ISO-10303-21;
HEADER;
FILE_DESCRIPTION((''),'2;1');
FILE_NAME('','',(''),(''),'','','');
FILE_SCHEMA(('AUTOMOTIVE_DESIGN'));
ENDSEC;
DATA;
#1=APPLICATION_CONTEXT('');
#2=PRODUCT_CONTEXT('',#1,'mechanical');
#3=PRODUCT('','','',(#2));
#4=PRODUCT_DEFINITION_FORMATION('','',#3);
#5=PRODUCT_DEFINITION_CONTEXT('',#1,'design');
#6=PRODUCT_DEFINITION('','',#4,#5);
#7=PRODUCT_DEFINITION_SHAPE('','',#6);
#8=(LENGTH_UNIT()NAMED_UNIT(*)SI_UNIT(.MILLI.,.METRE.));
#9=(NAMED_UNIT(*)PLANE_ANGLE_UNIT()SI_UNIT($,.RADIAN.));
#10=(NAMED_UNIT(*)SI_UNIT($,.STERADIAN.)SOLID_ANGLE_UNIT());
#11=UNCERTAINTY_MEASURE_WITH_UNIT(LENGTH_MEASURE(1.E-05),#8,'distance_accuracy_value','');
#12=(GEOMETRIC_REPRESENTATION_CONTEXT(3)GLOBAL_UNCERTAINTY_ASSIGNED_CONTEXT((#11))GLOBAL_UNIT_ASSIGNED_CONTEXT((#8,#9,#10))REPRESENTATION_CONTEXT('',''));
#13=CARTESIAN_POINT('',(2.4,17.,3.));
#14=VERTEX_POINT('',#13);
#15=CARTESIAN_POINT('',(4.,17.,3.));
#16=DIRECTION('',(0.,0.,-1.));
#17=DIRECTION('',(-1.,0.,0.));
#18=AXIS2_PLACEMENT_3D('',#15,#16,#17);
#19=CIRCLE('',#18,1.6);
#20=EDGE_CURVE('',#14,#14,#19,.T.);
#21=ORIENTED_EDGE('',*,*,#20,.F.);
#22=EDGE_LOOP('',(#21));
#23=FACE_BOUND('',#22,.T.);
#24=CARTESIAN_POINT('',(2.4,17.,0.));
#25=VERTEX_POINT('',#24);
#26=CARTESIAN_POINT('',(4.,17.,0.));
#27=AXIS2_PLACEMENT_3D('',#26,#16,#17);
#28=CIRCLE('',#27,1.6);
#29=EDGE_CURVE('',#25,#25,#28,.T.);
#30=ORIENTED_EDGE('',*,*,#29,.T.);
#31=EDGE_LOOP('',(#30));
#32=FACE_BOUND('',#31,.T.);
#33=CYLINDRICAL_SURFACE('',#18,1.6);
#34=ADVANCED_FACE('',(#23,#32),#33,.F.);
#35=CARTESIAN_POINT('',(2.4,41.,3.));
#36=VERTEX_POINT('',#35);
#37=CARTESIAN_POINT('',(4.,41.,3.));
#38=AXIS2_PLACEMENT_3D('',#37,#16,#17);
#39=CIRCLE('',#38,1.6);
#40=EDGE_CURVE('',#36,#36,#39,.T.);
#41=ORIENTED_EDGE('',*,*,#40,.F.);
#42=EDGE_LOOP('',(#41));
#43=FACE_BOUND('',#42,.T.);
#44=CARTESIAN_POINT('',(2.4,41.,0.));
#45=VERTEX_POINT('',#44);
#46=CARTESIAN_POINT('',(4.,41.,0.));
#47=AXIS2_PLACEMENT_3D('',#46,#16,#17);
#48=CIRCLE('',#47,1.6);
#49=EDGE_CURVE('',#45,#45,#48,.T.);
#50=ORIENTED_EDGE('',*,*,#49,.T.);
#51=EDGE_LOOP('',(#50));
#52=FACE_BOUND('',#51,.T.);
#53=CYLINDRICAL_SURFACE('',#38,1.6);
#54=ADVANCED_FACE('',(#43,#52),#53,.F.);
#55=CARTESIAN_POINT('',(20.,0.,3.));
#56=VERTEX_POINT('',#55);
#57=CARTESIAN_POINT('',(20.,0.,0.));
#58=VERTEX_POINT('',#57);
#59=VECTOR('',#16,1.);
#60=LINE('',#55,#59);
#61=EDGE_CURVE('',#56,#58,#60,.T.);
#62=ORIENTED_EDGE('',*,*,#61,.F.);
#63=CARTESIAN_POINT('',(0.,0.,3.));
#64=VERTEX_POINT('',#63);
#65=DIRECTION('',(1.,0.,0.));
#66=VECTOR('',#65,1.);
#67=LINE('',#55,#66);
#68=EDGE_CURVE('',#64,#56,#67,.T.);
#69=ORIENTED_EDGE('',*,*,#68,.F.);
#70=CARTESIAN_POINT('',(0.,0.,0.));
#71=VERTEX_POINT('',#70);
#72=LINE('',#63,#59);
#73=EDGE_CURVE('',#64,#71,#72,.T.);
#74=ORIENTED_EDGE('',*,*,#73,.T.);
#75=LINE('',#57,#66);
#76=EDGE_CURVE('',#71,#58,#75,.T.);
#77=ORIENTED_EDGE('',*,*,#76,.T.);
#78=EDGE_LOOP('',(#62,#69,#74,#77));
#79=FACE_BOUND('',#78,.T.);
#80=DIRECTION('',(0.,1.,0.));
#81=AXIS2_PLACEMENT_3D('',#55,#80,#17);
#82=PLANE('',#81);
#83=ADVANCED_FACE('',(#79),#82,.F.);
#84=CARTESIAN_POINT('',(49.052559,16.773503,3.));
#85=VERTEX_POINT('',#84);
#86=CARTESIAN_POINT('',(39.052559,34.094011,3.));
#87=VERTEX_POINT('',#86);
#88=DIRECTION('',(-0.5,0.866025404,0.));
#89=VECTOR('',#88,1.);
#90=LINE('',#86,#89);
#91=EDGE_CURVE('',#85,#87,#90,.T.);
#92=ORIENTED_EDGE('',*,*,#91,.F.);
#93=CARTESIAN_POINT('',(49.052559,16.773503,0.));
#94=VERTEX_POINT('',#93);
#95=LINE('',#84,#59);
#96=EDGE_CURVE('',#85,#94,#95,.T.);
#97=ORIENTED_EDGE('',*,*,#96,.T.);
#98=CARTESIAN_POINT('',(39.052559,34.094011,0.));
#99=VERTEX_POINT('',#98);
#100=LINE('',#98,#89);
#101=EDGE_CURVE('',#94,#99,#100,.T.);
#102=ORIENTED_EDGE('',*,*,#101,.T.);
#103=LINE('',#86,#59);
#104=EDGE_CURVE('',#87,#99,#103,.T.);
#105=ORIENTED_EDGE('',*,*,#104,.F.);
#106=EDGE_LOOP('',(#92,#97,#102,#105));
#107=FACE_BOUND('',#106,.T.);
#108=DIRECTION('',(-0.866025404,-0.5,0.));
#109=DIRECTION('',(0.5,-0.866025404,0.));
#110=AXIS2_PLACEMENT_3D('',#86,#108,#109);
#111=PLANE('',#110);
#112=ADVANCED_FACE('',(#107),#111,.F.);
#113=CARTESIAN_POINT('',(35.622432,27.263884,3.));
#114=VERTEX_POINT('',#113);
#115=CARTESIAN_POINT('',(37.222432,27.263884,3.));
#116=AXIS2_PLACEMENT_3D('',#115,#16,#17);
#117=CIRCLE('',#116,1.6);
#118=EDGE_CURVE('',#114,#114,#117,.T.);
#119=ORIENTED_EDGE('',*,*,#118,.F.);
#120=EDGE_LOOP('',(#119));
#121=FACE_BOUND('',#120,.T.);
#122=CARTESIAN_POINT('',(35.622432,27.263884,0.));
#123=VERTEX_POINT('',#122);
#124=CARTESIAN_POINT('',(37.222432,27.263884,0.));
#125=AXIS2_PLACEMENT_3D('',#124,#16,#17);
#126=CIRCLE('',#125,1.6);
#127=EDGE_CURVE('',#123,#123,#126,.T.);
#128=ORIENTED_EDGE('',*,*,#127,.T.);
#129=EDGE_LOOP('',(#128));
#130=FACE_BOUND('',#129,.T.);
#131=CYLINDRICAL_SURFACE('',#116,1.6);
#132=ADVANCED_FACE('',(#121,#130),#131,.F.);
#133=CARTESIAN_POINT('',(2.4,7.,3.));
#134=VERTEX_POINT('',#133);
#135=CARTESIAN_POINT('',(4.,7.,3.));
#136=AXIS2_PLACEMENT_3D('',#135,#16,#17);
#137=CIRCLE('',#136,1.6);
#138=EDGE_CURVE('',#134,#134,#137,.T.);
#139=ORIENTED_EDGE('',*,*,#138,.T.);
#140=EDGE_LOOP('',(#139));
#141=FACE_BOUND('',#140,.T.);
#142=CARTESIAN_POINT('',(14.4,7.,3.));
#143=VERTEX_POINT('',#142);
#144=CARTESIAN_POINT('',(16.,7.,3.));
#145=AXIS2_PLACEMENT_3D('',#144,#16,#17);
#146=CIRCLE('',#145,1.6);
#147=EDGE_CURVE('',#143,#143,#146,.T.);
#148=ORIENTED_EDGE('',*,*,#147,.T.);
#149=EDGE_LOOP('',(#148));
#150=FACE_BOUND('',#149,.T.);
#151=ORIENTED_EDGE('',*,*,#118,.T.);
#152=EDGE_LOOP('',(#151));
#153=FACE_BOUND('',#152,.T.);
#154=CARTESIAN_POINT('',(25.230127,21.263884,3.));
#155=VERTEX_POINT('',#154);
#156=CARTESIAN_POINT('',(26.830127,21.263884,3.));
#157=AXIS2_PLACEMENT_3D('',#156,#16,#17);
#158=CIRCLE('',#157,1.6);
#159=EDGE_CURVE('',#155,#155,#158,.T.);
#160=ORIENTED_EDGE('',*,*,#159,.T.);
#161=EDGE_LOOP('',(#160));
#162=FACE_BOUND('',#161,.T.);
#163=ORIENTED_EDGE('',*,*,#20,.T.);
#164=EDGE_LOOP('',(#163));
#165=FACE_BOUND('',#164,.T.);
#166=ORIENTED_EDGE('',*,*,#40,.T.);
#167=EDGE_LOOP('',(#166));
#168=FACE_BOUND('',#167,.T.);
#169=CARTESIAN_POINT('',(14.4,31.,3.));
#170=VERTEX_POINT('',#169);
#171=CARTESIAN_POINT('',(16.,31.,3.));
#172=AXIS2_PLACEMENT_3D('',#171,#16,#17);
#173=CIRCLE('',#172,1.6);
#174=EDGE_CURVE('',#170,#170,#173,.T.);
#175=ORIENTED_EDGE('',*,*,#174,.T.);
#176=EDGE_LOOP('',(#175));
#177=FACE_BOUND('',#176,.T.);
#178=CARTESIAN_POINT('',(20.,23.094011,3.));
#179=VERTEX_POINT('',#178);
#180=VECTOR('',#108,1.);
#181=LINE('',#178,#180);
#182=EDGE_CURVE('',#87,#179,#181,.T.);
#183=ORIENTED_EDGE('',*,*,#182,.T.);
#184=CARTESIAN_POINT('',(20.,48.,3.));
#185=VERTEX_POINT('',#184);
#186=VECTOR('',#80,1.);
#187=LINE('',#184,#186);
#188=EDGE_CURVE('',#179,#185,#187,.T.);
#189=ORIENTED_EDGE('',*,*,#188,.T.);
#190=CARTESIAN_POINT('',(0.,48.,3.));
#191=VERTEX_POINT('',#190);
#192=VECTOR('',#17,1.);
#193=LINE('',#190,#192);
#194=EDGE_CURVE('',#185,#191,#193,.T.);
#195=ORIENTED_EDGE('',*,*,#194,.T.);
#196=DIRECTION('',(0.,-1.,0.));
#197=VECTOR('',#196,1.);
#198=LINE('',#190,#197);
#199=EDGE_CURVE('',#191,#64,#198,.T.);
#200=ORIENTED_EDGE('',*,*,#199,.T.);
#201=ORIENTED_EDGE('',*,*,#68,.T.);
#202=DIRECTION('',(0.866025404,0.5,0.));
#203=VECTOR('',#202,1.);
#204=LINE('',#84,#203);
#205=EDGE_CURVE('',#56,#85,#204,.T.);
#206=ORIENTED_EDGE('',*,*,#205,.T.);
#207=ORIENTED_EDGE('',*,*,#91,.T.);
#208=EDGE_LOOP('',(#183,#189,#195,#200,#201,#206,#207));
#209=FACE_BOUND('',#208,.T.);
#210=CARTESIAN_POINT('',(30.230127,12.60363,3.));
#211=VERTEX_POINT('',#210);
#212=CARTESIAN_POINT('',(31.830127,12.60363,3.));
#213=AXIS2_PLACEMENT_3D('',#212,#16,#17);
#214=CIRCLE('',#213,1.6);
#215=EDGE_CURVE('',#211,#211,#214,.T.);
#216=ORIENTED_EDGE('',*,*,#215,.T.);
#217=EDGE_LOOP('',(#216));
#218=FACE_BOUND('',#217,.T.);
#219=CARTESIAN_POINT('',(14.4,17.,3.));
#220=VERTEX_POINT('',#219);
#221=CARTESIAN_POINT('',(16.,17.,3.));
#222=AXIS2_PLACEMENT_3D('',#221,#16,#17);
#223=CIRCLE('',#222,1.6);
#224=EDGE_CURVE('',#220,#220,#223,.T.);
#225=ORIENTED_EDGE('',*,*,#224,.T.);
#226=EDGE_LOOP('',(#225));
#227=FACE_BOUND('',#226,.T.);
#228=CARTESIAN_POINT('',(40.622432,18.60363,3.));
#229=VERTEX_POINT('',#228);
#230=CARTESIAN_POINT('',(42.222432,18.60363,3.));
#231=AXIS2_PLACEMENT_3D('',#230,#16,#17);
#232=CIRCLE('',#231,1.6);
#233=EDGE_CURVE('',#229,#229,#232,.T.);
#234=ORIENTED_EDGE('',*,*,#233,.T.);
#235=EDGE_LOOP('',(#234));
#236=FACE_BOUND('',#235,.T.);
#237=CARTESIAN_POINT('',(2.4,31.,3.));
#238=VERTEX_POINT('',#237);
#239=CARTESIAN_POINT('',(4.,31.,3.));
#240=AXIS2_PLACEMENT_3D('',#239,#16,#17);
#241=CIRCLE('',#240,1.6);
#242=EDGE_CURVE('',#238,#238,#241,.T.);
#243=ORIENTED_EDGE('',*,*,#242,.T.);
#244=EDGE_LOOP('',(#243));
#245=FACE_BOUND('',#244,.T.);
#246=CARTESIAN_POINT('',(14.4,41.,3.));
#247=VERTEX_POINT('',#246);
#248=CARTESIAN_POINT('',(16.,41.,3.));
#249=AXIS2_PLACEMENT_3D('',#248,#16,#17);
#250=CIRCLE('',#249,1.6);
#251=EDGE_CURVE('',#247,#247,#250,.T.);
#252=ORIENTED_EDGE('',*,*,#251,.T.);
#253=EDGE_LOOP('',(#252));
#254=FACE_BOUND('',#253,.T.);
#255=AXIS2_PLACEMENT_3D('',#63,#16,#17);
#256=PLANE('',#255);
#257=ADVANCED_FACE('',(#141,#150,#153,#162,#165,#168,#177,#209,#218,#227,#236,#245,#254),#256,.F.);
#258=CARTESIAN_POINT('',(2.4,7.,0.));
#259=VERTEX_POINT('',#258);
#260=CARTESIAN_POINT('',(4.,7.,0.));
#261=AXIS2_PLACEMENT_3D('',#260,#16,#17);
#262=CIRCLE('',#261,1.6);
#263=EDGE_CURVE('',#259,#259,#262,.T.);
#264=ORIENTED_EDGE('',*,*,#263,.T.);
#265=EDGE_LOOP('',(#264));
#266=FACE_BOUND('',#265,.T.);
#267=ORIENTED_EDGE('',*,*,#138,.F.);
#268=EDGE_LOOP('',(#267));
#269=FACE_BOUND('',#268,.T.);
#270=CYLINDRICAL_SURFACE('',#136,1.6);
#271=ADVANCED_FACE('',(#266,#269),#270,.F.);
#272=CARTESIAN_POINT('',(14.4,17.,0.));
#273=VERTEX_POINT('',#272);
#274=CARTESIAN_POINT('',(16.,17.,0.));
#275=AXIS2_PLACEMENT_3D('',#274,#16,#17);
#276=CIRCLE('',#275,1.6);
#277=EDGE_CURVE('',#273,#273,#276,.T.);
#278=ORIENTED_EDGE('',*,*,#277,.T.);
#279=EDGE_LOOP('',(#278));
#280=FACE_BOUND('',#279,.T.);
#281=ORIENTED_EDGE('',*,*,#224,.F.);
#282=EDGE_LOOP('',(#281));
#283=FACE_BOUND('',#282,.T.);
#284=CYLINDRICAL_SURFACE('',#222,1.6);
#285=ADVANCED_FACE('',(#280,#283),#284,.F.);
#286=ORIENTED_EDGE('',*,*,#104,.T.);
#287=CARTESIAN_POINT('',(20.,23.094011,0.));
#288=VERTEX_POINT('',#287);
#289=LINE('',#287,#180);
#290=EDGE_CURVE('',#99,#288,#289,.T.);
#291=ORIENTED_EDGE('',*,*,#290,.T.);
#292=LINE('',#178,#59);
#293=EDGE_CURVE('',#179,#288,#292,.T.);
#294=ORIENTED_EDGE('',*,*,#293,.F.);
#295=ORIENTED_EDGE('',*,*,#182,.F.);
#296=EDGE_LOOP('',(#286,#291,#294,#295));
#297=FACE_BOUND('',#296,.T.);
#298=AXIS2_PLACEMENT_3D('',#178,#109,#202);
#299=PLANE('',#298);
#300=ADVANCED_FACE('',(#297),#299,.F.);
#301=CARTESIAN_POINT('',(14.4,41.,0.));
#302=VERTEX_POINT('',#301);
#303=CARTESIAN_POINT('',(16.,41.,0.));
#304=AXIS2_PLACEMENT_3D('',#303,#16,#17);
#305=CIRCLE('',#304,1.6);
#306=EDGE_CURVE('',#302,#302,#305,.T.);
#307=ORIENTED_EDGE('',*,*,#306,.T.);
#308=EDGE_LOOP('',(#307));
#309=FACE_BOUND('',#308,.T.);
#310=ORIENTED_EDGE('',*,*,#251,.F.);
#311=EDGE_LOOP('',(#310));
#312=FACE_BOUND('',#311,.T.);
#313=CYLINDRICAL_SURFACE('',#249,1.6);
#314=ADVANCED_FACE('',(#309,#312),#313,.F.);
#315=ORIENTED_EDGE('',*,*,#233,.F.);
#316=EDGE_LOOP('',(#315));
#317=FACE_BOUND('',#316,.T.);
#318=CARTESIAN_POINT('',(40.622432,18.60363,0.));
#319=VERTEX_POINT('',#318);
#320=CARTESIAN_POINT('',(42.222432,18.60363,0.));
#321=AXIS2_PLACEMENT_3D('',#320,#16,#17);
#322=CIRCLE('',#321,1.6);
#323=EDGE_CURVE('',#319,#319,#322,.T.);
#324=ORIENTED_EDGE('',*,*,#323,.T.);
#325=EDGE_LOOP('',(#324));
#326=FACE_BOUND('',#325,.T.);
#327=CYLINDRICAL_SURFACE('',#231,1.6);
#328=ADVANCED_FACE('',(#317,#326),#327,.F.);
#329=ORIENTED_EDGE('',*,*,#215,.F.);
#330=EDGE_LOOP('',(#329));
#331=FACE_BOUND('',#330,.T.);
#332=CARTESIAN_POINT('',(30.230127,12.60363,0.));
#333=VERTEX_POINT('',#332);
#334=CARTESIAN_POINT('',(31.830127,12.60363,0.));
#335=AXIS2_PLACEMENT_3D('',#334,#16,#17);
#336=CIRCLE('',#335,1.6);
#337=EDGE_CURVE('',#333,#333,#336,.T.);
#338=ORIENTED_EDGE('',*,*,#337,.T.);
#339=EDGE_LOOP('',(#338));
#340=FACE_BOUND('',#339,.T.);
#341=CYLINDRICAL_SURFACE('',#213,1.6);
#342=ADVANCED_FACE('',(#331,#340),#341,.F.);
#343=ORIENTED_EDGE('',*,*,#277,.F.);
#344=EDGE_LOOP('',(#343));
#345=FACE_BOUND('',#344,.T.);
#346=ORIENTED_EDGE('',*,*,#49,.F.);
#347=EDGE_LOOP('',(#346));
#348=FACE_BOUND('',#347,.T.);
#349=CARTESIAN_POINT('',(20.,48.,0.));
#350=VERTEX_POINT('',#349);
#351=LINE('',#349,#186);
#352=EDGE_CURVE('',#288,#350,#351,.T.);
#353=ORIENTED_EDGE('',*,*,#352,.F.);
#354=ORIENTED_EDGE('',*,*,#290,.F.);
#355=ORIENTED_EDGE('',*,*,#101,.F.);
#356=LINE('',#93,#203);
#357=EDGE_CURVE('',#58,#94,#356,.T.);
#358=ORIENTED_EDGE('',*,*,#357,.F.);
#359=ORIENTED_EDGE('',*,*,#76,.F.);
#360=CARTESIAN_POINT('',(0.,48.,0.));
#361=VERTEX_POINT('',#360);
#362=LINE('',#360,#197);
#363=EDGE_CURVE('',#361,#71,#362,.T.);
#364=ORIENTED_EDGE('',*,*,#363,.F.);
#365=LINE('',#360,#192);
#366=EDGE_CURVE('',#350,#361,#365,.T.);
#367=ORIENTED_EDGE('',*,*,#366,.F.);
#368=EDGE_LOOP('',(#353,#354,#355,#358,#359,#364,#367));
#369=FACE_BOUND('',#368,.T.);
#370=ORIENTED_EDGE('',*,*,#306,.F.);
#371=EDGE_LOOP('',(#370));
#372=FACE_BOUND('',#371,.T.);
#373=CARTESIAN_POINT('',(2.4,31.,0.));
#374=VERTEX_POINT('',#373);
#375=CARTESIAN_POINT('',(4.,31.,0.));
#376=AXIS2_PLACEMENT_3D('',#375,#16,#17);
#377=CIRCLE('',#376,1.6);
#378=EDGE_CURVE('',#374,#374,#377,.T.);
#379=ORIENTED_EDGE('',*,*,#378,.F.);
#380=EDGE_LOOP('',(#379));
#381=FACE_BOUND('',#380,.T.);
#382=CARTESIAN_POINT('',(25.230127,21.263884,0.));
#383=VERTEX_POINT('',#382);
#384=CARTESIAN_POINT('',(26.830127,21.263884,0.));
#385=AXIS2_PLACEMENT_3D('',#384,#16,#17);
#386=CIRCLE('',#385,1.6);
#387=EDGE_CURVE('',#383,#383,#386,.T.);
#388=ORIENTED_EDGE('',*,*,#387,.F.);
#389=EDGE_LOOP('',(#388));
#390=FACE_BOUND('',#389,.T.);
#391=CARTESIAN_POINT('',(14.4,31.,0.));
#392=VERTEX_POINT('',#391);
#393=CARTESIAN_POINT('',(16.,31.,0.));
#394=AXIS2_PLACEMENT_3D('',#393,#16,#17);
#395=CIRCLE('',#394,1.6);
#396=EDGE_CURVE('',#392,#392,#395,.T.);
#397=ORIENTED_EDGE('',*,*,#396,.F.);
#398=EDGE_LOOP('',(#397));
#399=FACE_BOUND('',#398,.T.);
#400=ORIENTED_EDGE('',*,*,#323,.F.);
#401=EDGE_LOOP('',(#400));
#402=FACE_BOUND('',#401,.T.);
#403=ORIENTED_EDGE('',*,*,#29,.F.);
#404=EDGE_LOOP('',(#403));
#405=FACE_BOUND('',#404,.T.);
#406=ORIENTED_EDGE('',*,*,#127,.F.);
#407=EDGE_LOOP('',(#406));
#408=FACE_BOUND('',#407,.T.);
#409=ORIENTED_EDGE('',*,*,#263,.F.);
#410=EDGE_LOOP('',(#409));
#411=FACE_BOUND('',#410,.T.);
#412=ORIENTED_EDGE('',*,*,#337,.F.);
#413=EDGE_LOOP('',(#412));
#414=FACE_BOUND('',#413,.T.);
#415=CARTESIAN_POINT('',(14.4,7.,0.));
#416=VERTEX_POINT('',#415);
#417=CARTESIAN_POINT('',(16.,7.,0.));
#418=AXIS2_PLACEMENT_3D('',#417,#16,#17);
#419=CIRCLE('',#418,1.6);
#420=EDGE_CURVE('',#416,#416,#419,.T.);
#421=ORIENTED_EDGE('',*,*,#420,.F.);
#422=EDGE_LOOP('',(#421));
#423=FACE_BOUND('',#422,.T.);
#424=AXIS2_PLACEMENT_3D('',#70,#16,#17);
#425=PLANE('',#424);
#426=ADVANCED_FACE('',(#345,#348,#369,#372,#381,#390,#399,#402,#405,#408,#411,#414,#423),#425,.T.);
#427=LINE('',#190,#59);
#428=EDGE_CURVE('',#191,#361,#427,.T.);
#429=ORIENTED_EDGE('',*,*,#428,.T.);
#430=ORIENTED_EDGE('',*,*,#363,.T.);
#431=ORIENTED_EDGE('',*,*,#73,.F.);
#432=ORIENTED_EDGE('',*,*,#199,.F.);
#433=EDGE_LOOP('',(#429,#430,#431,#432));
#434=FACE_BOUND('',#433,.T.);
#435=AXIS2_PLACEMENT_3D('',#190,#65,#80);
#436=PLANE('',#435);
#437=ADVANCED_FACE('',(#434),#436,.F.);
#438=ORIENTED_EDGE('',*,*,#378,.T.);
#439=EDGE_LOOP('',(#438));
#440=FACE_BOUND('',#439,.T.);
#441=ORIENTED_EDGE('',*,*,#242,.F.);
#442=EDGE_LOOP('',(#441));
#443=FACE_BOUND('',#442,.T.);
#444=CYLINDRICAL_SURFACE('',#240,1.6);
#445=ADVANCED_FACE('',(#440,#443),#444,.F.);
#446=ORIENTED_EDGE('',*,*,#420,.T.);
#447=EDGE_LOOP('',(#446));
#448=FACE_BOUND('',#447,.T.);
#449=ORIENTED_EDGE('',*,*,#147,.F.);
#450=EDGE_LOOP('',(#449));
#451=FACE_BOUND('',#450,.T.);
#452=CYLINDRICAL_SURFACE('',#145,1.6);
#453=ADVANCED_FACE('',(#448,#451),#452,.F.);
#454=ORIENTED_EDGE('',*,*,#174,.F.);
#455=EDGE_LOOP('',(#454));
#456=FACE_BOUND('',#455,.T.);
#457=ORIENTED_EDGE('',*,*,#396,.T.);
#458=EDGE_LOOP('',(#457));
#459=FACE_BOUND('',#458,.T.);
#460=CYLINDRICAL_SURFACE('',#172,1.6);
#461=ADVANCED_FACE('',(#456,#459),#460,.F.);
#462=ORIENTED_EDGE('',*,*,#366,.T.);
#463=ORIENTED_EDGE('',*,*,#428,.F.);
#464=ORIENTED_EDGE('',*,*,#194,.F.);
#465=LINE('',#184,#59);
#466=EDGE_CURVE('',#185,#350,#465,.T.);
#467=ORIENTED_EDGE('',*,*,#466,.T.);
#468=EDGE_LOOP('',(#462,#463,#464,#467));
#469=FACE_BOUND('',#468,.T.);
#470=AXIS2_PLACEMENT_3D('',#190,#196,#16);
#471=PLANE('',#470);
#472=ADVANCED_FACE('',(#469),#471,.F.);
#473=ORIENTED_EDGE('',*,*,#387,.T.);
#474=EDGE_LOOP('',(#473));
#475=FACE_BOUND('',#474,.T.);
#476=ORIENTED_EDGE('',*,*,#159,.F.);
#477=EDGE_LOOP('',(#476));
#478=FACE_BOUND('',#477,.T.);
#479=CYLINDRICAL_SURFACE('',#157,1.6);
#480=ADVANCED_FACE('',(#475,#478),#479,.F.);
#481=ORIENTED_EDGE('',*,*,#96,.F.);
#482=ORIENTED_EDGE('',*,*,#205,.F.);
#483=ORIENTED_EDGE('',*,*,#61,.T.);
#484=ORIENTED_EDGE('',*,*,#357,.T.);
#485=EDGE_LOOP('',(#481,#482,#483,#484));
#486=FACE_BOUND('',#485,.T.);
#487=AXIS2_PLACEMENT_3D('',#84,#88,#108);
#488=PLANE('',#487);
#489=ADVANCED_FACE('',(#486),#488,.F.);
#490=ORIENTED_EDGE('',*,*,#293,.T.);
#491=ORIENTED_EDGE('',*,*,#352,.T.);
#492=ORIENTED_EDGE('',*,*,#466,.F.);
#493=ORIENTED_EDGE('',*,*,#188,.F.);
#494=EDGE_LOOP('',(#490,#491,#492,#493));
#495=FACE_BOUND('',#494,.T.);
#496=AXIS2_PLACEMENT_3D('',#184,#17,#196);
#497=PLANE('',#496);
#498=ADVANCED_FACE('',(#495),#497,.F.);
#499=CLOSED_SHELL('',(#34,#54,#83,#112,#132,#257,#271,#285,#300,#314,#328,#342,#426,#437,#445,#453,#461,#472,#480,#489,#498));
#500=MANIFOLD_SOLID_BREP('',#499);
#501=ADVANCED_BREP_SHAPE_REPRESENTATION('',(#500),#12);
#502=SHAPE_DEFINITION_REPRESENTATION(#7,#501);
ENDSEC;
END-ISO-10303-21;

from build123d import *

# Parameters (mm, degrees)
EXTRUDE_1_DEPTH     = 3
SKETCH_2_R          = 1.6
CUT_EXTRUDE_1_DEPTH = 3


with BuildPart() as part:
    # 草图1 → 凸台-拉伸1 (new body)
    with BuildSketch(Plane.XY):
        Polygon((0, 48), (0, 0), (20, 0), (49.052558883, 16.773502692), (39.052558883, 34.094010768), (20, 23.094010768), (20, 48), align=None)
    extrude(amount=EXTRUDE_1_DEPTH)

    # 草图2 → 切除-拉伸1 (cut)
    with BuildSketch(Plane(origin=(0, 0, 0), x_dir=(-1, 0, 0), z_dir=(0, 0, -1))):
        with Locations((-42.222431864, 18.603629711)):
            Circle(SKETCH_2_R)
        with Locations((-37.222431864, 27.263883749)):
            Circle(SKETCH_2_R)
        with Locations((-26.830127019, 21.263883749)):
            Circle(SKETCH_2_R)
        with Locations((-31.830127019, 12.603629711)):
            Circle(SKETCH_2_R)
        with Locations((-16, 7)):
            Circle(SKETCH_2_R)
        with Locations((-16, 17)):
            Circle(SKETCH_2_R)
        with Locations((-4, 7)):
            Circle(SKETCH_2_R)
        with Locations((-4, 17)):
            Circle(SKETCH_2_R)
        with Locations((-16, 31)):
            Circle(SKETCH_2_R)
        with Locations((-16, 41)):
            Circle(SKETCH_2_R)
        with Locations((-4, 31)):
            Circle(SKETCH_2_R)
        with Locations((-4, 41)):
            Circle(SKETCH_2_R)
    extrude(amount=-CUT_EXTRUDE_1_DEPTH, mode=Mode.SUBTRACT)


solid = part.part
